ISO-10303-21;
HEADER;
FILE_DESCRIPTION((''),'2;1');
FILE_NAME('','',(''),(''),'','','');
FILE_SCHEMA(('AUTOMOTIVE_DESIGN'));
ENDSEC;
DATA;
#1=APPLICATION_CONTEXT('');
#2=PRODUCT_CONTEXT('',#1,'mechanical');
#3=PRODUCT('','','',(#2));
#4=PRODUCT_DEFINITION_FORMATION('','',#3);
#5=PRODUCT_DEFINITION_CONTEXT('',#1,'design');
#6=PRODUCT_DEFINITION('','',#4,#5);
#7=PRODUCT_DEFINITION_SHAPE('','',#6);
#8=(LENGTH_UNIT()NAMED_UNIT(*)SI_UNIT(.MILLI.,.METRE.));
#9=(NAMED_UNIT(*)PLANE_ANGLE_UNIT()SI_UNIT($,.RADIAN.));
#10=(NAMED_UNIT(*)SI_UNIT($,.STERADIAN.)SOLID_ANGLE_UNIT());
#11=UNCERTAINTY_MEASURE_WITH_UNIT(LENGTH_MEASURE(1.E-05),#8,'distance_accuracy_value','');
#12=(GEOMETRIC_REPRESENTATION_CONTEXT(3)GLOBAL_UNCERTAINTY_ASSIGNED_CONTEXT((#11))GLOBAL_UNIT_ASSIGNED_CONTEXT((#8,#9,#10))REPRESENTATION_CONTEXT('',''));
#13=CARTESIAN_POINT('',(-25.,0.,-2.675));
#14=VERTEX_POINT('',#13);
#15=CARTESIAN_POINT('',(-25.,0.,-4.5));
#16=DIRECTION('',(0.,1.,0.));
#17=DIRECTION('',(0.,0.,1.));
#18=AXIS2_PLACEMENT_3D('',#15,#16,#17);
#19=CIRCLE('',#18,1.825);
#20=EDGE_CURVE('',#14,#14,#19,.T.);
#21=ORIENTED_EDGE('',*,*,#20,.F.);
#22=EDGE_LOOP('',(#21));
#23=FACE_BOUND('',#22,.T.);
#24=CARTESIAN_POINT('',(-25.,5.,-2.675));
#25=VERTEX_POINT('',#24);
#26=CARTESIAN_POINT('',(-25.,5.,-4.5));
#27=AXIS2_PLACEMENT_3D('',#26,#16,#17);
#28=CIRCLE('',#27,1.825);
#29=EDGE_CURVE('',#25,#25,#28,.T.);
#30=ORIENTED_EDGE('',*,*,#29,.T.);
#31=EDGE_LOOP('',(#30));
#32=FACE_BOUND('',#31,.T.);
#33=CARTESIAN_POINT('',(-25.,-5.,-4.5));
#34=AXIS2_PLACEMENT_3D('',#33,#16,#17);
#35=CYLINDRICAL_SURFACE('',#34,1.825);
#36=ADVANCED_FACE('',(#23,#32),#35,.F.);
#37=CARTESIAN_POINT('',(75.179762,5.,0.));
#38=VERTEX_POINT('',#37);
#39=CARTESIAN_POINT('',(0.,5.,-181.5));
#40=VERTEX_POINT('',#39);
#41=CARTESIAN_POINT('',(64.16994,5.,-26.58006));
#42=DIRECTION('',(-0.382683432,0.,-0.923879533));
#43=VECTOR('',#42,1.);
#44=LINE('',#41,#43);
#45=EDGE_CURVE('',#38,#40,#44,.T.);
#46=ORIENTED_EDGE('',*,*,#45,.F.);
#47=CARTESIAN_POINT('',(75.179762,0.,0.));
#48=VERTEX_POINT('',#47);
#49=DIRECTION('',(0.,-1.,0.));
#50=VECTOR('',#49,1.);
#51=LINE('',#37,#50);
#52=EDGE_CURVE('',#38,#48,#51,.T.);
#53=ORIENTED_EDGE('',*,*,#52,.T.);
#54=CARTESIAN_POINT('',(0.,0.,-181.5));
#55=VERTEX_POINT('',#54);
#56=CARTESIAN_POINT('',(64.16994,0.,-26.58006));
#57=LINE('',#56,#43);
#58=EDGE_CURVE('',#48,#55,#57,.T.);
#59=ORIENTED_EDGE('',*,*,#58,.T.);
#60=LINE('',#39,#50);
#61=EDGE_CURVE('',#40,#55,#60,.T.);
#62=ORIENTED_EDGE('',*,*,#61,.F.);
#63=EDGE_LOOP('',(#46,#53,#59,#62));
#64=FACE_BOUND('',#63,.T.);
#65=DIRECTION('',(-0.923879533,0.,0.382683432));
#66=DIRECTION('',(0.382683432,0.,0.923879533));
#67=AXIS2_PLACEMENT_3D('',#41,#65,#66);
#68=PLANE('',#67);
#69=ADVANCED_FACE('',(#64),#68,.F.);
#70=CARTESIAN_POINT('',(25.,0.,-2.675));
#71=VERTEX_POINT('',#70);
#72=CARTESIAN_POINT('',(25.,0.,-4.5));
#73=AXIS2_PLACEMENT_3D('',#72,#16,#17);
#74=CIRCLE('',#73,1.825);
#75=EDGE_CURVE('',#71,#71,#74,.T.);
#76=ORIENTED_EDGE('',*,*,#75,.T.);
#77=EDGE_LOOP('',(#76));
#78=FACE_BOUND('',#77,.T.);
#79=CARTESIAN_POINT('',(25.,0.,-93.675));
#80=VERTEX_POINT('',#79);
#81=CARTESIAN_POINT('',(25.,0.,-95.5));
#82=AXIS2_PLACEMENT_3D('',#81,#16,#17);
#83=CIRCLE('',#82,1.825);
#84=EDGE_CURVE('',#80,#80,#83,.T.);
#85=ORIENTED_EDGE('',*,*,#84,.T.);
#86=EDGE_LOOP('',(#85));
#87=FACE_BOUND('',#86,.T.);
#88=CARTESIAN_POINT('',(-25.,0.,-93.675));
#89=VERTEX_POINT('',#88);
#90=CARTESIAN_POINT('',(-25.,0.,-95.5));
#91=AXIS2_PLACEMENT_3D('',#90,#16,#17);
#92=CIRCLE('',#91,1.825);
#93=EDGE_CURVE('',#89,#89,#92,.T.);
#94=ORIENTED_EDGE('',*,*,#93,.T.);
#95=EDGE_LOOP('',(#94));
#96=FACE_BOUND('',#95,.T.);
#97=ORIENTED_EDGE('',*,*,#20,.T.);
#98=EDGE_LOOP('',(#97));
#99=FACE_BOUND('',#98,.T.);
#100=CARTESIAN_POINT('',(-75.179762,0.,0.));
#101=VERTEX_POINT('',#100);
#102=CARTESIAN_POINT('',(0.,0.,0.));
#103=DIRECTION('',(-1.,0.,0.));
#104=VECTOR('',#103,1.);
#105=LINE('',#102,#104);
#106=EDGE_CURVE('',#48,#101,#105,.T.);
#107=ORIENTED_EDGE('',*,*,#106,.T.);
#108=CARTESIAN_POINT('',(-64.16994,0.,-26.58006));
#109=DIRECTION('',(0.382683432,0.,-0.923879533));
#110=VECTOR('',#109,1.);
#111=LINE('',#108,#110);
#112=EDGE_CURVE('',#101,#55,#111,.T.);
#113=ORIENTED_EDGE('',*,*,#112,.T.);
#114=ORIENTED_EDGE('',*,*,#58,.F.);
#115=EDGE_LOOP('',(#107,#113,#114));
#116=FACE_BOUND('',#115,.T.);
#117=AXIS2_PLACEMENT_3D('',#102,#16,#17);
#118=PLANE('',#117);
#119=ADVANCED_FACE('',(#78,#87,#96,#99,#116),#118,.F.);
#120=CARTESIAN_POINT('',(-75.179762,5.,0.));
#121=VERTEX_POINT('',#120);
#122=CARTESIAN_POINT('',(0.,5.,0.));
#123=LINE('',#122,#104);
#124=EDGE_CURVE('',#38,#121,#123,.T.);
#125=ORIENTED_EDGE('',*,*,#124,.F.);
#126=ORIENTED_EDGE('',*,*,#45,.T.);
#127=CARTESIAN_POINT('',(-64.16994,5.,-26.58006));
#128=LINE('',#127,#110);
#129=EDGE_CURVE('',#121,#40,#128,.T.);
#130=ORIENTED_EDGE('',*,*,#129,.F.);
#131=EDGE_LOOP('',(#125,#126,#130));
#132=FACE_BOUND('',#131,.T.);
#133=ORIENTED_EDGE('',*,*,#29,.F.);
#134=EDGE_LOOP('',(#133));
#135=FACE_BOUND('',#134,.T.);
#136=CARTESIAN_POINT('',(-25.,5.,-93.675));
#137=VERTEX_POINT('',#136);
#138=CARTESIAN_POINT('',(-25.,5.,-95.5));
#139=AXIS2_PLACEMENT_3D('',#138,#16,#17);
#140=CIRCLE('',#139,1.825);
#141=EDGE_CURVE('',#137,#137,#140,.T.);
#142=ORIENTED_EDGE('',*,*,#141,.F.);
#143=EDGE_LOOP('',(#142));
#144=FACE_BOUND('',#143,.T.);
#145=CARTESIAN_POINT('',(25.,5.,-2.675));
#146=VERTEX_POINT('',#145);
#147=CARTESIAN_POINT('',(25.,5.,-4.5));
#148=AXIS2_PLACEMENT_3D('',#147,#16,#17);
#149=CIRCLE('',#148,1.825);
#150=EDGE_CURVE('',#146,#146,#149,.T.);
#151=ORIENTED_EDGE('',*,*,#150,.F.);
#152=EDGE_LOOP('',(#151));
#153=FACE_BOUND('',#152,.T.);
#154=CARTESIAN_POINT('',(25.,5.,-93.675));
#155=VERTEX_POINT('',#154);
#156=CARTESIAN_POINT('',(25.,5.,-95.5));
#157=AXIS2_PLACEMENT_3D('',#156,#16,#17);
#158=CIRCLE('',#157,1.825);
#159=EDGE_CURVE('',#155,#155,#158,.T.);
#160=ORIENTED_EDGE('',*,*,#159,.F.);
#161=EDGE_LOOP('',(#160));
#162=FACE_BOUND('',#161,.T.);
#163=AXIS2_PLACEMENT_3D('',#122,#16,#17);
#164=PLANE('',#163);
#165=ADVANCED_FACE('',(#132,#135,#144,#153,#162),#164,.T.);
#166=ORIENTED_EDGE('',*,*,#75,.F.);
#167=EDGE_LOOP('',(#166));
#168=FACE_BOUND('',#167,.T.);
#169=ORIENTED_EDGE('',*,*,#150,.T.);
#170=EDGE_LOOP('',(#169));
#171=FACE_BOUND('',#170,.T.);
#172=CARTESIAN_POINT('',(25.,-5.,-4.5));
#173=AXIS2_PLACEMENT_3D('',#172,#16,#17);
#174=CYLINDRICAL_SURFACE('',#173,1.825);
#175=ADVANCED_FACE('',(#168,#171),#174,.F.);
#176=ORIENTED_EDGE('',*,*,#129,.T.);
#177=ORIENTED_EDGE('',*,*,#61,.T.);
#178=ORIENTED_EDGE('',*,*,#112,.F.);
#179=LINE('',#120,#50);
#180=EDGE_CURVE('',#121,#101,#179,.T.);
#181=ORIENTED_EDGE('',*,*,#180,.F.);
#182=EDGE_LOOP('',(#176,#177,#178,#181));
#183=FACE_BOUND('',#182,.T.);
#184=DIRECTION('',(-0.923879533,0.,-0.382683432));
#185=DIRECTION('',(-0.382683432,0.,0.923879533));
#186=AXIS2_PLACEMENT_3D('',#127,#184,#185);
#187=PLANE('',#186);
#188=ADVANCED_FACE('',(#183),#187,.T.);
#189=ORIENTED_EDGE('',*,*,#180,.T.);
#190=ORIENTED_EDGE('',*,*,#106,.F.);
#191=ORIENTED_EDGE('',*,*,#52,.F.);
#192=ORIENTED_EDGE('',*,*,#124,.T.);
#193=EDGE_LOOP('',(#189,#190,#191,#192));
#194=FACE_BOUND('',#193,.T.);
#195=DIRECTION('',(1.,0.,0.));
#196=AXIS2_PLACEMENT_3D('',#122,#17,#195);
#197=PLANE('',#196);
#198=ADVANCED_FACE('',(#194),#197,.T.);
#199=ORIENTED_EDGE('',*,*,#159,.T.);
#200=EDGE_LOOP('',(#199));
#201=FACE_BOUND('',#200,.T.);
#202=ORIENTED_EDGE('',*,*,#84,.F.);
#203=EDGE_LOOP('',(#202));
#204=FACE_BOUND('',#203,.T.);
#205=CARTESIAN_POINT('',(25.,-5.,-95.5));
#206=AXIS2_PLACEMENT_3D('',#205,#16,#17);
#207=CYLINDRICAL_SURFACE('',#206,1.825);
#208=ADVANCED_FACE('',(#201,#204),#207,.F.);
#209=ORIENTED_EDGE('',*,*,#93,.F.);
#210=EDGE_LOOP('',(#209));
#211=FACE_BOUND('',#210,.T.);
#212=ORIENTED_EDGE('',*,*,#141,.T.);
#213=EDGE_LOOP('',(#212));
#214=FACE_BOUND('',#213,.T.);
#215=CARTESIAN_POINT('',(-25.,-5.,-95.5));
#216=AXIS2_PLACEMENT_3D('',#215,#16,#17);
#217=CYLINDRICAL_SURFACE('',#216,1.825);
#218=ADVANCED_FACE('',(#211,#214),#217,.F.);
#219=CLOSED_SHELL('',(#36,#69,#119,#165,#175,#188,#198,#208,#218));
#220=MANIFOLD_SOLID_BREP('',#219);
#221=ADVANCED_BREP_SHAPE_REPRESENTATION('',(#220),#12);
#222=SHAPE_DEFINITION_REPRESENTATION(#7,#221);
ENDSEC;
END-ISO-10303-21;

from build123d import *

# Parameters (mm, degrees)
SKETCH1_R           = 2
BOSS_EXTRUDE1_DEPTH = 5
SKETCH3_W           = 64.166552172
SKETCH3_H           = 97.438097742
BOSS_EXTRUDE2_DEPTH = 5
SKETCH4_R           = 1.825
CUT_EXTRUDE1_DEPTH  = 10


with BuildPart() as part:
    # Sketch1 → Boss-Extrude1 (new body)
    with BuildSketch(Plane(origin=(0, 0, 0), x_dir=(1, 0, 0), z_dir=(0, 1, 0))):
        Polygon((75.179761571, 0), (0, 181.5), (-75.179761571, 0), align=None)
        with Locations((27.701843901, 4.378893659)):
            Circle(SKETCH1_R, mode=Mode.SUBTRACT)
        with Locations((-27.701843901, 4.378893659)):
            Circle(SKETCH1_R, mode=Mode.SUBTRACT)
        with Locations((-27.701843901, 95.621106341)):
            Circle(SKETCH1_R, mode=Mode.SUBTRACT)
        with Locations((27.701843901, 95.621106341)):
            Circle(SKETCH1_R, mode=Mode.SUBTRACT)
    extrude(amount=BOSS_EXTRUDE1_DEPTH)

    # Sketch3 → Boss-Extrude2 (add)
    with BuildSketch(Plane(origin=(0, 5, 0), x_dir=(1, 0, 0), z_dir=(0, 1, 0))):
        with Locations((-0.392642939, 50.723354507)):
            Rectangle(SKETCH3_W, SKETCH3_H)
    extrude(amount=-BOSS_EXTRUDE2_DEPTH)

    # Sketch4 → Cut-Extrude1 (cut)
    with BuildSketch(Plane(origin=(0, 5, 0), x_dir=(1, 0, 0), z_dir=(0, 1, 0))):
        with Locations((-25, 4.5)):
            Circle(SKETCH4_R)
        with Locations((25, 4.5)):
            Circle(SKETCH4_R)
        with Locations((25, 95.5)):
            Circle(SKETCH4_R)
        with Locations((-25, 95.5)):
            Circle(SKETCH4_R)
    extrude(amount=-CUT_EXTRUDE1_DEPTH, mode=Mode.SUBTRACT)


solid = part.part
